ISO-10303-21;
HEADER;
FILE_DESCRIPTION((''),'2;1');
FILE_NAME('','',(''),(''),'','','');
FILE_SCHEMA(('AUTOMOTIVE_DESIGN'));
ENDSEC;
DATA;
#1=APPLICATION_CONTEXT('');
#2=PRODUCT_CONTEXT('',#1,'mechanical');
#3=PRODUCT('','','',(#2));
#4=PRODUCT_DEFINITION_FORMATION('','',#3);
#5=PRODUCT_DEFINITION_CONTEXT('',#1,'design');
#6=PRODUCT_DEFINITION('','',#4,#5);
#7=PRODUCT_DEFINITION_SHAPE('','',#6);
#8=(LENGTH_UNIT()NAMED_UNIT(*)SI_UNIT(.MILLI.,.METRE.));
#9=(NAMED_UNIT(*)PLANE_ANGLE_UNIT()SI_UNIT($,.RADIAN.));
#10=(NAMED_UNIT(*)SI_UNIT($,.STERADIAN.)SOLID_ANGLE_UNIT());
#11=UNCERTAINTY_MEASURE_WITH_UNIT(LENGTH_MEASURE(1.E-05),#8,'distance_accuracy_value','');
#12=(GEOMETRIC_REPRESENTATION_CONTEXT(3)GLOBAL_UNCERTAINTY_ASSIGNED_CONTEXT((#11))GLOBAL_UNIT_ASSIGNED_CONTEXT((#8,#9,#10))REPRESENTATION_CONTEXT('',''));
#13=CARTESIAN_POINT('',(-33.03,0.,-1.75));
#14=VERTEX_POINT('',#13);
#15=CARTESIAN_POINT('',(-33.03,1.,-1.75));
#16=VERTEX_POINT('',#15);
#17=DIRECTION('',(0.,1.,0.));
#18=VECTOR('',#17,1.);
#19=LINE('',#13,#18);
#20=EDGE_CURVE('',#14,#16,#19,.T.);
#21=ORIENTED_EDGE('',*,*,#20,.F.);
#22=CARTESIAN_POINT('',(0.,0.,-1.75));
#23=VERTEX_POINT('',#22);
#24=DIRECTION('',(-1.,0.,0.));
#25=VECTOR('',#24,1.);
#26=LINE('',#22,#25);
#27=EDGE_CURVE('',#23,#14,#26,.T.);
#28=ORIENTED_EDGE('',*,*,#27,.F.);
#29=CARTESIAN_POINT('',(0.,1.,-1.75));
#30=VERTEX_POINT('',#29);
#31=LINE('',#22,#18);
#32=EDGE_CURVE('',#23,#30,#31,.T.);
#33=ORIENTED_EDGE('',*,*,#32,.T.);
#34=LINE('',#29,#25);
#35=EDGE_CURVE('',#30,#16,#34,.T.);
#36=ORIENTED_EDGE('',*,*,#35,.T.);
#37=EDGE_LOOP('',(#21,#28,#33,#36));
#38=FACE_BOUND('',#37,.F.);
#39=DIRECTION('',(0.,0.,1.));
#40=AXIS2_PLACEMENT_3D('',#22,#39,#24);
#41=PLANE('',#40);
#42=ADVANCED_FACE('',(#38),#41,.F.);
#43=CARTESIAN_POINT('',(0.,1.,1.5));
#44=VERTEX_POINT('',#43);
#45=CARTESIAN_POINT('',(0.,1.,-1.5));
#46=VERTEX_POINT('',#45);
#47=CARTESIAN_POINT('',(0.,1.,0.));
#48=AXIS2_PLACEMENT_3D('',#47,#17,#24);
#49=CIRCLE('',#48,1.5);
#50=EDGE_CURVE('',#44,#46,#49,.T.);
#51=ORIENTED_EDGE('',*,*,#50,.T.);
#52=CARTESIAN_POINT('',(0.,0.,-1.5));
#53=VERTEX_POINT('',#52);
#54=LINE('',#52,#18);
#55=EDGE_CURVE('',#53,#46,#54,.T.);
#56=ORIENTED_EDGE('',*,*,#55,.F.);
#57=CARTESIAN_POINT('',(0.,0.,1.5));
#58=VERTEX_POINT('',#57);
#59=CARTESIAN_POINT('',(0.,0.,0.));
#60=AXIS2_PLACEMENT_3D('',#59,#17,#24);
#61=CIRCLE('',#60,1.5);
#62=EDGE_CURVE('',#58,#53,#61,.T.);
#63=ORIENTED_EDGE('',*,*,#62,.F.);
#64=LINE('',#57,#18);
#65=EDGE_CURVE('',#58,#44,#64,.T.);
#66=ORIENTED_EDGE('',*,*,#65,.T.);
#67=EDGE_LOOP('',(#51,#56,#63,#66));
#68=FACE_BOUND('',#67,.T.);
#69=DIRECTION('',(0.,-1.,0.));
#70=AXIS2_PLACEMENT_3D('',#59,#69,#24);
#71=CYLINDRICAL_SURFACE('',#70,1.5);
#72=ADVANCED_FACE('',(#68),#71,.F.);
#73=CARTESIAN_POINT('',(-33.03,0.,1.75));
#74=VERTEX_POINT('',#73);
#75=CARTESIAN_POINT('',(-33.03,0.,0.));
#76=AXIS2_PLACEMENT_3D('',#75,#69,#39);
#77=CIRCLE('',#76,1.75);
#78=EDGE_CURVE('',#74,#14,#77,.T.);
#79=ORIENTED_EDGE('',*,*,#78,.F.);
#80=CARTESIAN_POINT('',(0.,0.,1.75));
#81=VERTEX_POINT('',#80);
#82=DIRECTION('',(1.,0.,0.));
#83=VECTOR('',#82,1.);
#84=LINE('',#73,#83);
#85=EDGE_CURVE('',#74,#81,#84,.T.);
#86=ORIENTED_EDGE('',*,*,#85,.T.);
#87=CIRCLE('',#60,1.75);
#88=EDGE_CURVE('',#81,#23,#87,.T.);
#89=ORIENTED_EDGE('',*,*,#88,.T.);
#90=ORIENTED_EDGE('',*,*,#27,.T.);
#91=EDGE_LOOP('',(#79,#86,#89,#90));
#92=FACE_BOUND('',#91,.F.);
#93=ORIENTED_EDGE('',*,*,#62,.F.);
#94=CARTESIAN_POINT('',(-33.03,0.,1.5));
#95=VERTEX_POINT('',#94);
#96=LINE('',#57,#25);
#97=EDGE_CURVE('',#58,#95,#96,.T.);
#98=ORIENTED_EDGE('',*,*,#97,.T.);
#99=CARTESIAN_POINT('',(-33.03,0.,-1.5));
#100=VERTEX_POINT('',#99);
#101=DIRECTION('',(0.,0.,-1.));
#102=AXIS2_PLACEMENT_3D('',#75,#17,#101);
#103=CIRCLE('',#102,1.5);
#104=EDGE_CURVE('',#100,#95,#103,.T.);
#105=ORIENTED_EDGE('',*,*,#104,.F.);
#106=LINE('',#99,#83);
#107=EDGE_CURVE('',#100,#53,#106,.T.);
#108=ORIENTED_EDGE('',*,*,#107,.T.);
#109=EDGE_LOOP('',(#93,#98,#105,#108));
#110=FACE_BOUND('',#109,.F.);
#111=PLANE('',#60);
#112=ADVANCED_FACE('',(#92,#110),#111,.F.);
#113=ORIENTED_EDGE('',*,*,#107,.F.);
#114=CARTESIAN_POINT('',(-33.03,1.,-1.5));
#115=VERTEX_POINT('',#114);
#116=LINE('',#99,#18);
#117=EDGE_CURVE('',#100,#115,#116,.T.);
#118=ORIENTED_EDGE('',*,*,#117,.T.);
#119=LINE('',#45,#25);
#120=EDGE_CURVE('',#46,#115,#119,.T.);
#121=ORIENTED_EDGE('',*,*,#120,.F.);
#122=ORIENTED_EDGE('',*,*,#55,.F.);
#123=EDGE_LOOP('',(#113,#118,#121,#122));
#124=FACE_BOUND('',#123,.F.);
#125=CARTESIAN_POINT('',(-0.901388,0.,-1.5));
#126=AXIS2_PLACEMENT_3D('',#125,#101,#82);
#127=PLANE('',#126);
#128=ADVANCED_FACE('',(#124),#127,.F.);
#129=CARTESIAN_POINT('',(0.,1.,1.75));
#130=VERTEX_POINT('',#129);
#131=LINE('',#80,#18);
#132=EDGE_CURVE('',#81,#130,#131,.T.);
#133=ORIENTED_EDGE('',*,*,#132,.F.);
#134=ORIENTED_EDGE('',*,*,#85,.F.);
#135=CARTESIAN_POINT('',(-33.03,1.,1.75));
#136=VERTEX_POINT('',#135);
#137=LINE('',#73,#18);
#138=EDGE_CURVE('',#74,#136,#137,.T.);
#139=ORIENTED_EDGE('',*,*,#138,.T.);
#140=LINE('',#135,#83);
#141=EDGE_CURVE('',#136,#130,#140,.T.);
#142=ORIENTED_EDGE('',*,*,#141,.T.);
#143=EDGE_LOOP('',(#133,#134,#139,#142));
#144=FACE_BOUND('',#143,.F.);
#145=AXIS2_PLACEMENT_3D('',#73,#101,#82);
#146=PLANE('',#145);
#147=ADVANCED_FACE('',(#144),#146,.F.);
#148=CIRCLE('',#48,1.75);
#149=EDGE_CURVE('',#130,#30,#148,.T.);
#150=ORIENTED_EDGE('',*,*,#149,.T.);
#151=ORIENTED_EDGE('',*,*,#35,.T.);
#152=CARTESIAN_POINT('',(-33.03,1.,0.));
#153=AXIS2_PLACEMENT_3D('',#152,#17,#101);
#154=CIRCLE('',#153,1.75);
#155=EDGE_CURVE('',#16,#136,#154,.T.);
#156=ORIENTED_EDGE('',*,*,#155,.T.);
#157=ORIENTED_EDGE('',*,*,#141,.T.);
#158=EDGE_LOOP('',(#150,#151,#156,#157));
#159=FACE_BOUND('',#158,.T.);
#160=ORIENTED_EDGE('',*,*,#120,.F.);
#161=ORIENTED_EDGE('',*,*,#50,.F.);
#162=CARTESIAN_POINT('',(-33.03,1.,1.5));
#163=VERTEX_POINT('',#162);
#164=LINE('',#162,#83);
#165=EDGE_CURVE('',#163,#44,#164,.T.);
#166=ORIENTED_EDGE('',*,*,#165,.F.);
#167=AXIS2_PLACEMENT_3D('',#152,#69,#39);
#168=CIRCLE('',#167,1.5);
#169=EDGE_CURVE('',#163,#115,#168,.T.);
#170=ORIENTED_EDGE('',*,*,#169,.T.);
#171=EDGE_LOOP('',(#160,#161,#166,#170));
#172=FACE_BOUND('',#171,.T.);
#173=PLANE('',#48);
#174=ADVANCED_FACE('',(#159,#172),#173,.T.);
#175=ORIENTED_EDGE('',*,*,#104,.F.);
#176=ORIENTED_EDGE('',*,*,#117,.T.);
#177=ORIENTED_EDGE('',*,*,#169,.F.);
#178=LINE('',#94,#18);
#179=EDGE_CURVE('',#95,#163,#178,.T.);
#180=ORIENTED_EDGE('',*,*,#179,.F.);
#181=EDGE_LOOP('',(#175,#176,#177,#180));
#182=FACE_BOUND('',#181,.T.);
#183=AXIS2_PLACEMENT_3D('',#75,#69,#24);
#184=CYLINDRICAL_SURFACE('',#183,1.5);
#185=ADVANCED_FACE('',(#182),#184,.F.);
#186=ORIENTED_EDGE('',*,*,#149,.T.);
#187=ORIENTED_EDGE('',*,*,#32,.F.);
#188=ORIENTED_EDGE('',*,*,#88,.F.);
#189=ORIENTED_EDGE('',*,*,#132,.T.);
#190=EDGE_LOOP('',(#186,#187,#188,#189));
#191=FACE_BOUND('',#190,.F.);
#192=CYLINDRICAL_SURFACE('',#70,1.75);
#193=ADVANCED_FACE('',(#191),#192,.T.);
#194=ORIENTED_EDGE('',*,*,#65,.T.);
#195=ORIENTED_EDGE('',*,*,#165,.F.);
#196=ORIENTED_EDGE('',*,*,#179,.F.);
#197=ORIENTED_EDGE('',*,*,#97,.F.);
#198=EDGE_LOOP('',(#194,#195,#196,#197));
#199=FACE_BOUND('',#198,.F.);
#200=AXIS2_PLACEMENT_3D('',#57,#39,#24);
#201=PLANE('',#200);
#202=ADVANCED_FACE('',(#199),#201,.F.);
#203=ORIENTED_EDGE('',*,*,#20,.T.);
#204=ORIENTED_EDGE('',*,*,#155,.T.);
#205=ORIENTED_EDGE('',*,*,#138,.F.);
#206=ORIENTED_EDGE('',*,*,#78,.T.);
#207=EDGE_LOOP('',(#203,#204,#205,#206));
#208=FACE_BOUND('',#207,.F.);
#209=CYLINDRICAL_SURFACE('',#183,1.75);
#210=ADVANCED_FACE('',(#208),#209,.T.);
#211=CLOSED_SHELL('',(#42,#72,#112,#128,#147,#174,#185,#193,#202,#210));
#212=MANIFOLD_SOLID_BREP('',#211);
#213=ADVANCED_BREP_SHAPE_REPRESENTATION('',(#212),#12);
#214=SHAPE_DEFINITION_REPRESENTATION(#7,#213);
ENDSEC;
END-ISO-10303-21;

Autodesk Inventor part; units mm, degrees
ref_plane "YZ Plane" through (0, 0, 0) normal (1, 0, 0) x (0, 1, 0)
ref_plane "XZ Plane" through (0, 0, 0) normal (0, 1, 0) x (-1, 0, 0)
ref_plane "XY Plane" through (0, 0, 0) normal (0, 0, 1) x (1, 0, 0)
sketch "Sketch1" plane through (0, 0, 0) normal (0, 1, 0) x (-1, 0, 0)
  circle A0 centre (0, 0) radius 1.5
  line L0 (0, 0) -> (33.03, 0)
  circle A1 centre (33.03, 0) radius 1.5
  circle A2 centre (33.03, 0) radius 1.75
  circle A3 centre (0, 0) radius 1.75
  line L1 (33.03, 1.75) -> (0, 1.75)
  line L2 (0, -1.75) -> (33.03, -1.75)
  line L3 (33.03, -1.5) -> (0, -1.5)
  line L4 (0, 1.5) -> (33.03, 1.5)
  dimension "d0" = 3
  dimension "d1" = 33.03
  dimension "d2" = 3
  dimension "d3" = 3.5
extrude "Extrusion1" add sketch "Sketch1" along normal blind 1 contours A0 L3 A3 L4 | A3 L1 A2 L4 | L3 A2 L2 A3 | A2 L3 A1 L4
properties part number "elastico"
